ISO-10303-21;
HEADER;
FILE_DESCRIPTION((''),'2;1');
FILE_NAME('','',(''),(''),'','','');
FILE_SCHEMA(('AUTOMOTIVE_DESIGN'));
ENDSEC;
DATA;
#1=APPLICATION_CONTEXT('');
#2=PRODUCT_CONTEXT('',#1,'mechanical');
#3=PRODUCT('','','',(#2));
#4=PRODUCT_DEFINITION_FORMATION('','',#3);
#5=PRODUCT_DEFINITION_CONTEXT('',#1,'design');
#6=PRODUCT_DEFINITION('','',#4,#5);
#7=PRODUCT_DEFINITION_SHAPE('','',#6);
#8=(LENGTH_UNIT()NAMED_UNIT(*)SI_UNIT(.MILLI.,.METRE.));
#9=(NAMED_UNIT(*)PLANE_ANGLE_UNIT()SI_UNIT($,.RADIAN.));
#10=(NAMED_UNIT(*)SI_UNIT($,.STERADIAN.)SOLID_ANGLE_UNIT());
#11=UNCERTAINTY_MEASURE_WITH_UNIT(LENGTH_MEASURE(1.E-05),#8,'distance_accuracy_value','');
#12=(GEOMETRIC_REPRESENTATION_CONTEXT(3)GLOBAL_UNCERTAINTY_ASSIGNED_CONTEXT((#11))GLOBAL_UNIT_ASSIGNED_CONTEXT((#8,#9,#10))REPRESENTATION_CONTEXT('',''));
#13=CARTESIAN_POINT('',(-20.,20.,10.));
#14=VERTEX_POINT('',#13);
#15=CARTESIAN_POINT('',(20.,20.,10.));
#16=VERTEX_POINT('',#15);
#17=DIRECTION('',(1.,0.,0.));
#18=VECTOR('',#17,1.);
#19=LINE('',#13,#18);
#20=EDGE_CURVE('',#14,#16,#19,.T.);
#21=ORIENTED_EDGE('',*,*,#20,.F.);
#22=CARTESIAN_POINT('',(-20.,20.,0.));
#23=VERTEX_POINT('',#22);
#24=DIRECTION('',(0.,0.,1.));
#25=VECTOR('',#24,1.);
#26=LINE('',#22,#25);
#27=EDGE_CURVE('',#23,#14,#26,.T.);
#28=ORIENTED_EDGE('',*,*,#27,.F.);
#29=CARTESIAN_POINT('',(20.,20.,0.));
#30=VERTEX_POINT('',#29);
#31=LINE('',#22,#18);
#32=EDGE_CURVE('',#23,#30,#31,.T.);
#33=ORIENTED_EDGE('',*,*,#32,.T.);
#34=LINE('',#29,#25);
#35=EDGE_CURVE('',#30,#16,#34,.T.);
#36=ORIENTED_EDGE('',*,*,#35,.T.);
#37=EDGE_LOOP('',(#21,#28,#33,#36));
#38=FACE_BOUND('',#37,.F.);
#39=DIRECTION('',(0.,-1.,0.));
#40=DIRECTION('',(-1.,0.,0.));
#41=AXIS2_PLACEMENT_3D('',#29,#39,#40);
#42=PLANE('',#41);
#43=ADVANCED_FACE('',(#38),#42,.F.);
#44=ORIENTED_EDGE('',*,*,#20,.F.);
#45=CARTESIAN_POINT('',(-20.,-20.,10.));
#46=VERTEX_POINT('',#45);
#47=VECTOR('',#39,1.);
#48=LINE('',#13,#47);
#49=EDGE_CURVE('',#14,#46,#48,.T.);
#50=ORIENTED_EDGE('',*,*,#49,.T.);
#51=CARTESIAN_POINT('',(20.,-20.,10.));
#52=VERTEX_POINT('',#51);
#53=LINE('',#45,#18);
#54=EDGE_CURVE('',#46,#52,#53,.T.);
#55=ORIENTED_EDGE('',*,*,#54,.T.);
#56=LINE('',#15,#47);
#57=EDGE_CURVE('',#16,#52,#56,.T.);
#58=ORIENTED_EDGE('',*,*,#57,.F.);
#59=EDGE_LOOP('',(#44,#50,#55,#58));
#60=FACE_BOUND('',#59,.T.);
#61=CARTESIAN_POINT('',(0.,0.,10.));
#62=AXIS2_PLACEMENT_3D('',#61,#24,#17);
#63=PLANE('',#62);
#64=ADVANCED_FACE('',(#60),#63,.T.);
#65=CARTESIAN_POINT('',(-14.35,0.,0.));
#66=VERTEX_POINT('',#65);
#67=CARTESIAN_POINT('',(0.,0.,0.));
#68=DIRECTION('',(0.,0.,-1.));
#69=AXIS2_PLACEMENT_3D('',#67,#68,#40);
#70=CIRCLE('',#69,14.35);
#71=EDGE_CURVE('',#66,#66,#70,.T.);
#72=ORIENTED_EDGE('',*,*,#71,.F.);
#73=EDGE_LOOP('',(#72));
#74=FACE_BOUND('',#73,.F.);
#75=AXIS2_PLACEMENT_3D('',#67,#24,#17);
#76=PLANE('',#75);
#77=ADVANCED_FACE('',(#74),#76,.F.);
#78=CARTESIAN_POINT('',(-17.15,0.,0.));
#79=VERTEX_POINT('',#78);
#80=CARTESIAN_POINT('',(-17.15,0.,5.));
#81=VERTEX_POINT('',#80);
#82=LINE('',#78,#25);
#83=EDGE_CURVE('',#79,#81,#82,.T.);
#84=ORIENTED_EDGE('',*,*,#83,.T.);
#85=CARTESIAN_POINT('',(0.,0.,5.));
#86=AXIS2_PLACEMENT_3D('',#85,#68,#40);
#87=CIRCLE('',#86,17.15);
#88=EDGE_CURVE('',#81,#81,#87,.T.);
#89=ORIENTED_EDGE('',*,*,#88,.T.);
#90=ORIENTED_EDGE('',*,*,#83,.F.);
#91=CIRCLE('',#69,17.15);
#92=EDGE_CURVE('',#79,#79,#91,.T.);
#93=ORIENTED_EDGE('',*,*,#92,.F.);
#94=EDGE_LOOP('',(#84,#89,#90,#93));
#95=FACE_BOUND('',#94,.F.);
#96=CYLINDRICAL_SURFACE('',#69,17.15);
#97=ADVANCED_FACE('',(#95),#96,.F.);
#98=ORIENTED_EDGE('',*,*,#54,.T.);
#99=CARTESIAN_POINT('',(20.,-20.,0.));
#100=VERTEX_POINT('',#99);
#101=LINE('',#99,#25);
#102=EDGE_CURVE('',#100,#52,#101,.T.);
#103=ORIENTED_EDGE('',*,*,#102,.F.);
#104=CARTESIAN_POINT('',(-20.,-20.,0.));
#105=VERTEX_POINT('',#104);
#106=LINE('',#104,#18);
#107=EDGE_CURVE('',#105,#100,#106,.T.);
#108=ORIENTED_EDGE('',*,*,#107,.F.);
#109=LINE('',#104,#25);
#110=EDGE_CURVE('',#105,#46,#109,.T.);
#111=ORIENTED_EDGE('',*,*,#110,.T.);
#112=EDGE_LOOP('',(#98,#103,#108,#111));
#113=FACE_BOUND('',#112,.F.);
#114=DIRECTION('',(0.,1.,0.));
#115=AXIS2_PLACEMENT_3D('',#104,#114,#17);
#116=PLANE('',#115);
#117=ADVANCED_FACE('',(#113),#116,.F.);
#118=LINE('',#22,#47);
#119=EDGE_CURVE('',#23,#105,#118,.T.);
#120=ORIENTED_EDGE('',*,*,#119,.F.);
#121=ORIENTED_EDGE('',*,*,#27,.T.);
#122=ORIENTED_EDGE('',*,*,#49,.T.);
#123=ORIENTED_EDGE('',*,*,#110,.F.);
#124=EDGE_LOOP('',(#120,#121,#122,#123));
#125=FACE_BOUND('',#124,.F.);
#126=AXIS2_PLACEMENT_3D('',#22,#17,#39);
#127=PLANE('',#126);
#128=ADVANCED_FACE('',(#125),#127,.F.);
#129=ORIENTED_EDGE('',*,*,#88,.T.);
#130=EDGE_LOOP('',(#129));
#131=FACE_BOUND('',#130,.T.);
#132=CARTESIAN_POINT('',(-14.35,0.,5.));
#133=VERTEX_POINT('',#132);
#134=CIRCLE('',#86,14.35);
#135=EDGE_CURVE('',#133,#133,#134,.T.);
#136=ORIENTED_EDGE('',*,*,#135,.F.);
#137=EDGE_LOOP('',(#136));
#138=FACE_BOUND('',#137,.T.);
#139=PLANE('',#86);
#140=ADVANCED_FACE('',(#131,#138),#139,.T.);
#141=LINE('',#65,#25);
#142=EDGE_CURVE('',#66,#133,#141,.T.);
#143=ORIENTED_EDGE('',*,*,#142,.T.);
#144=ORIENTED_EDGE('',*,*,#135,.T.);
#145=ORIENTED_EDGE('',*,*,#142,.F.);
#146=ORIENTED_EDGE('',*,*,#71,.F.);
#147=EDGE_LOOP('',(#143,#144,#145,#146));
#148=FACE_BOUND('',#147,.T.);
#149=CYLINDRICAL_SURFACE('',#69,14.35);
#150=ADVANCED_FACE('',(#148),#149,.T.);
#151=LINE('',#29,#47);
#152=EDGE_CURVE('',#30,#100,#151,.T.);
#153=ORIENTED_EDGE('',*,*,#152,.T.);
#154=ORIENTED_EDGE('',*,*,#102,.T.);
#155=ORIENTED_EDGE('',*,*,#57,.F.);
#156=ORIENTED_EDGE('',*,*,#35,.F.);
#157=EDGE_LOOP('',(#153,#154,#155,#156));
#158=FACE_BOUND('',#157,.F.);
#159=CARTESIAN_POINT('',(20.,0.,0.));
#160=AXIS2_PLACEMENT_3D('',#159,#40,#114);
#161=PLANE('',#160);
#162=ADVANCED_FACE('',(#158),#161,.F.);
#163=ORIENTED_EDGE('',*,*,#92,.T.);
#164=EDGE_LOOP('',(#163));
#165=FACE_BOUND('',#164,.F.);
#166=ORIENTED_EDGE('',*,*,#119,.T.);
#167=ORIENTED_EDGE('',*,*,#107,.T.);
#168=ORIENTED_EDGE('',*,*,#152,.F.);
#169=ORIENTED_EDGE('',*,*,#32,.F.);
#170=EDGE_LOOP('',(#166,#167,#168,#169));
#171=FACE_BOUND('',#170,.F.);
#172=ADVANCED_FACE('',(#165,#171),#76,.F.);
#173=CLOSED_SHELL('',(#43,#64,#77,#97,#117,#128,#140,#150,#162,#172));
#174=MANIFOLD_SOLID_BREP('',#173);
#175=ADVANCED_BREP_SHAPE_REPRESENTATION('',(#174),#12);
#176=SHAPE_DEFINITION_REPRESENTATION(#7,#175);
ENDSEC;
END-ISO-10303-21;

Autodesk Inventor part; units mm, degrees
ref_plane "YZ Plane" through (0, 0, 0) normal (1, 0, 0) x (0, 1, 0)
ref_plane "XZ Plane" through (0, 0, 0) normal (0, 1, 0) x (-1, 0, 0)
ref_plane "XY Plane" through (0, 0, 0) normal (0, 0, 1) x (1, 0, 0)
sketch "Sketch5" plane through (0, 0, 0) normal (0, 0, 1) x (1, 0, 0)
  circle A0 centre (0, 0) radius 14.35
  circle A1 centre (0, 0) radius 17.15
  line L0 (0, 0) -> (20, 0)
  line L1 (20, 0) -> (20, 20)
  line L2 (20, 20) -> (0, 20)
  line L3 (0, 20) -> (0, 0)
  line L4 (20, 20) -> (-20, 20)
  line L5 (-20, 20) -> (-20, -20)
  line L6 (-20, -20) -> (20, -20)
  line L7 (20, -20) -> (20, 20)
  dimension "d36" = 28.7
  dimension "d37" = 34.3
  dimension "d54" = 20
  dimension "d55" = 20
  dimension "d56" = 40
  dimension "d57" = 40
extrude "Extrusion10" add sketch "Sketch5" along normal blind 10
sketch "Sketch8" plane through (0, 0, 0) normal (0, 0, -1) x (-1, 0, 0)
  circle A0 centre (0, 0) radius 14.35
  circle A1 centre (0, 0) radius 17.15
  circle A2 centre (0, 0) radius 14.35
  circle A3 centre (0, 0) radius 17.15
  dimension "d60" = 28.7
  dimension "d61" = 34.3
  dimension "d62" = 28.7
  dimension "d63" = 34.3
extrude "Extrusion11" cut sketch "Sketch8" against normal blind 5
properties part number "Clip_MarkerHolderV1"
